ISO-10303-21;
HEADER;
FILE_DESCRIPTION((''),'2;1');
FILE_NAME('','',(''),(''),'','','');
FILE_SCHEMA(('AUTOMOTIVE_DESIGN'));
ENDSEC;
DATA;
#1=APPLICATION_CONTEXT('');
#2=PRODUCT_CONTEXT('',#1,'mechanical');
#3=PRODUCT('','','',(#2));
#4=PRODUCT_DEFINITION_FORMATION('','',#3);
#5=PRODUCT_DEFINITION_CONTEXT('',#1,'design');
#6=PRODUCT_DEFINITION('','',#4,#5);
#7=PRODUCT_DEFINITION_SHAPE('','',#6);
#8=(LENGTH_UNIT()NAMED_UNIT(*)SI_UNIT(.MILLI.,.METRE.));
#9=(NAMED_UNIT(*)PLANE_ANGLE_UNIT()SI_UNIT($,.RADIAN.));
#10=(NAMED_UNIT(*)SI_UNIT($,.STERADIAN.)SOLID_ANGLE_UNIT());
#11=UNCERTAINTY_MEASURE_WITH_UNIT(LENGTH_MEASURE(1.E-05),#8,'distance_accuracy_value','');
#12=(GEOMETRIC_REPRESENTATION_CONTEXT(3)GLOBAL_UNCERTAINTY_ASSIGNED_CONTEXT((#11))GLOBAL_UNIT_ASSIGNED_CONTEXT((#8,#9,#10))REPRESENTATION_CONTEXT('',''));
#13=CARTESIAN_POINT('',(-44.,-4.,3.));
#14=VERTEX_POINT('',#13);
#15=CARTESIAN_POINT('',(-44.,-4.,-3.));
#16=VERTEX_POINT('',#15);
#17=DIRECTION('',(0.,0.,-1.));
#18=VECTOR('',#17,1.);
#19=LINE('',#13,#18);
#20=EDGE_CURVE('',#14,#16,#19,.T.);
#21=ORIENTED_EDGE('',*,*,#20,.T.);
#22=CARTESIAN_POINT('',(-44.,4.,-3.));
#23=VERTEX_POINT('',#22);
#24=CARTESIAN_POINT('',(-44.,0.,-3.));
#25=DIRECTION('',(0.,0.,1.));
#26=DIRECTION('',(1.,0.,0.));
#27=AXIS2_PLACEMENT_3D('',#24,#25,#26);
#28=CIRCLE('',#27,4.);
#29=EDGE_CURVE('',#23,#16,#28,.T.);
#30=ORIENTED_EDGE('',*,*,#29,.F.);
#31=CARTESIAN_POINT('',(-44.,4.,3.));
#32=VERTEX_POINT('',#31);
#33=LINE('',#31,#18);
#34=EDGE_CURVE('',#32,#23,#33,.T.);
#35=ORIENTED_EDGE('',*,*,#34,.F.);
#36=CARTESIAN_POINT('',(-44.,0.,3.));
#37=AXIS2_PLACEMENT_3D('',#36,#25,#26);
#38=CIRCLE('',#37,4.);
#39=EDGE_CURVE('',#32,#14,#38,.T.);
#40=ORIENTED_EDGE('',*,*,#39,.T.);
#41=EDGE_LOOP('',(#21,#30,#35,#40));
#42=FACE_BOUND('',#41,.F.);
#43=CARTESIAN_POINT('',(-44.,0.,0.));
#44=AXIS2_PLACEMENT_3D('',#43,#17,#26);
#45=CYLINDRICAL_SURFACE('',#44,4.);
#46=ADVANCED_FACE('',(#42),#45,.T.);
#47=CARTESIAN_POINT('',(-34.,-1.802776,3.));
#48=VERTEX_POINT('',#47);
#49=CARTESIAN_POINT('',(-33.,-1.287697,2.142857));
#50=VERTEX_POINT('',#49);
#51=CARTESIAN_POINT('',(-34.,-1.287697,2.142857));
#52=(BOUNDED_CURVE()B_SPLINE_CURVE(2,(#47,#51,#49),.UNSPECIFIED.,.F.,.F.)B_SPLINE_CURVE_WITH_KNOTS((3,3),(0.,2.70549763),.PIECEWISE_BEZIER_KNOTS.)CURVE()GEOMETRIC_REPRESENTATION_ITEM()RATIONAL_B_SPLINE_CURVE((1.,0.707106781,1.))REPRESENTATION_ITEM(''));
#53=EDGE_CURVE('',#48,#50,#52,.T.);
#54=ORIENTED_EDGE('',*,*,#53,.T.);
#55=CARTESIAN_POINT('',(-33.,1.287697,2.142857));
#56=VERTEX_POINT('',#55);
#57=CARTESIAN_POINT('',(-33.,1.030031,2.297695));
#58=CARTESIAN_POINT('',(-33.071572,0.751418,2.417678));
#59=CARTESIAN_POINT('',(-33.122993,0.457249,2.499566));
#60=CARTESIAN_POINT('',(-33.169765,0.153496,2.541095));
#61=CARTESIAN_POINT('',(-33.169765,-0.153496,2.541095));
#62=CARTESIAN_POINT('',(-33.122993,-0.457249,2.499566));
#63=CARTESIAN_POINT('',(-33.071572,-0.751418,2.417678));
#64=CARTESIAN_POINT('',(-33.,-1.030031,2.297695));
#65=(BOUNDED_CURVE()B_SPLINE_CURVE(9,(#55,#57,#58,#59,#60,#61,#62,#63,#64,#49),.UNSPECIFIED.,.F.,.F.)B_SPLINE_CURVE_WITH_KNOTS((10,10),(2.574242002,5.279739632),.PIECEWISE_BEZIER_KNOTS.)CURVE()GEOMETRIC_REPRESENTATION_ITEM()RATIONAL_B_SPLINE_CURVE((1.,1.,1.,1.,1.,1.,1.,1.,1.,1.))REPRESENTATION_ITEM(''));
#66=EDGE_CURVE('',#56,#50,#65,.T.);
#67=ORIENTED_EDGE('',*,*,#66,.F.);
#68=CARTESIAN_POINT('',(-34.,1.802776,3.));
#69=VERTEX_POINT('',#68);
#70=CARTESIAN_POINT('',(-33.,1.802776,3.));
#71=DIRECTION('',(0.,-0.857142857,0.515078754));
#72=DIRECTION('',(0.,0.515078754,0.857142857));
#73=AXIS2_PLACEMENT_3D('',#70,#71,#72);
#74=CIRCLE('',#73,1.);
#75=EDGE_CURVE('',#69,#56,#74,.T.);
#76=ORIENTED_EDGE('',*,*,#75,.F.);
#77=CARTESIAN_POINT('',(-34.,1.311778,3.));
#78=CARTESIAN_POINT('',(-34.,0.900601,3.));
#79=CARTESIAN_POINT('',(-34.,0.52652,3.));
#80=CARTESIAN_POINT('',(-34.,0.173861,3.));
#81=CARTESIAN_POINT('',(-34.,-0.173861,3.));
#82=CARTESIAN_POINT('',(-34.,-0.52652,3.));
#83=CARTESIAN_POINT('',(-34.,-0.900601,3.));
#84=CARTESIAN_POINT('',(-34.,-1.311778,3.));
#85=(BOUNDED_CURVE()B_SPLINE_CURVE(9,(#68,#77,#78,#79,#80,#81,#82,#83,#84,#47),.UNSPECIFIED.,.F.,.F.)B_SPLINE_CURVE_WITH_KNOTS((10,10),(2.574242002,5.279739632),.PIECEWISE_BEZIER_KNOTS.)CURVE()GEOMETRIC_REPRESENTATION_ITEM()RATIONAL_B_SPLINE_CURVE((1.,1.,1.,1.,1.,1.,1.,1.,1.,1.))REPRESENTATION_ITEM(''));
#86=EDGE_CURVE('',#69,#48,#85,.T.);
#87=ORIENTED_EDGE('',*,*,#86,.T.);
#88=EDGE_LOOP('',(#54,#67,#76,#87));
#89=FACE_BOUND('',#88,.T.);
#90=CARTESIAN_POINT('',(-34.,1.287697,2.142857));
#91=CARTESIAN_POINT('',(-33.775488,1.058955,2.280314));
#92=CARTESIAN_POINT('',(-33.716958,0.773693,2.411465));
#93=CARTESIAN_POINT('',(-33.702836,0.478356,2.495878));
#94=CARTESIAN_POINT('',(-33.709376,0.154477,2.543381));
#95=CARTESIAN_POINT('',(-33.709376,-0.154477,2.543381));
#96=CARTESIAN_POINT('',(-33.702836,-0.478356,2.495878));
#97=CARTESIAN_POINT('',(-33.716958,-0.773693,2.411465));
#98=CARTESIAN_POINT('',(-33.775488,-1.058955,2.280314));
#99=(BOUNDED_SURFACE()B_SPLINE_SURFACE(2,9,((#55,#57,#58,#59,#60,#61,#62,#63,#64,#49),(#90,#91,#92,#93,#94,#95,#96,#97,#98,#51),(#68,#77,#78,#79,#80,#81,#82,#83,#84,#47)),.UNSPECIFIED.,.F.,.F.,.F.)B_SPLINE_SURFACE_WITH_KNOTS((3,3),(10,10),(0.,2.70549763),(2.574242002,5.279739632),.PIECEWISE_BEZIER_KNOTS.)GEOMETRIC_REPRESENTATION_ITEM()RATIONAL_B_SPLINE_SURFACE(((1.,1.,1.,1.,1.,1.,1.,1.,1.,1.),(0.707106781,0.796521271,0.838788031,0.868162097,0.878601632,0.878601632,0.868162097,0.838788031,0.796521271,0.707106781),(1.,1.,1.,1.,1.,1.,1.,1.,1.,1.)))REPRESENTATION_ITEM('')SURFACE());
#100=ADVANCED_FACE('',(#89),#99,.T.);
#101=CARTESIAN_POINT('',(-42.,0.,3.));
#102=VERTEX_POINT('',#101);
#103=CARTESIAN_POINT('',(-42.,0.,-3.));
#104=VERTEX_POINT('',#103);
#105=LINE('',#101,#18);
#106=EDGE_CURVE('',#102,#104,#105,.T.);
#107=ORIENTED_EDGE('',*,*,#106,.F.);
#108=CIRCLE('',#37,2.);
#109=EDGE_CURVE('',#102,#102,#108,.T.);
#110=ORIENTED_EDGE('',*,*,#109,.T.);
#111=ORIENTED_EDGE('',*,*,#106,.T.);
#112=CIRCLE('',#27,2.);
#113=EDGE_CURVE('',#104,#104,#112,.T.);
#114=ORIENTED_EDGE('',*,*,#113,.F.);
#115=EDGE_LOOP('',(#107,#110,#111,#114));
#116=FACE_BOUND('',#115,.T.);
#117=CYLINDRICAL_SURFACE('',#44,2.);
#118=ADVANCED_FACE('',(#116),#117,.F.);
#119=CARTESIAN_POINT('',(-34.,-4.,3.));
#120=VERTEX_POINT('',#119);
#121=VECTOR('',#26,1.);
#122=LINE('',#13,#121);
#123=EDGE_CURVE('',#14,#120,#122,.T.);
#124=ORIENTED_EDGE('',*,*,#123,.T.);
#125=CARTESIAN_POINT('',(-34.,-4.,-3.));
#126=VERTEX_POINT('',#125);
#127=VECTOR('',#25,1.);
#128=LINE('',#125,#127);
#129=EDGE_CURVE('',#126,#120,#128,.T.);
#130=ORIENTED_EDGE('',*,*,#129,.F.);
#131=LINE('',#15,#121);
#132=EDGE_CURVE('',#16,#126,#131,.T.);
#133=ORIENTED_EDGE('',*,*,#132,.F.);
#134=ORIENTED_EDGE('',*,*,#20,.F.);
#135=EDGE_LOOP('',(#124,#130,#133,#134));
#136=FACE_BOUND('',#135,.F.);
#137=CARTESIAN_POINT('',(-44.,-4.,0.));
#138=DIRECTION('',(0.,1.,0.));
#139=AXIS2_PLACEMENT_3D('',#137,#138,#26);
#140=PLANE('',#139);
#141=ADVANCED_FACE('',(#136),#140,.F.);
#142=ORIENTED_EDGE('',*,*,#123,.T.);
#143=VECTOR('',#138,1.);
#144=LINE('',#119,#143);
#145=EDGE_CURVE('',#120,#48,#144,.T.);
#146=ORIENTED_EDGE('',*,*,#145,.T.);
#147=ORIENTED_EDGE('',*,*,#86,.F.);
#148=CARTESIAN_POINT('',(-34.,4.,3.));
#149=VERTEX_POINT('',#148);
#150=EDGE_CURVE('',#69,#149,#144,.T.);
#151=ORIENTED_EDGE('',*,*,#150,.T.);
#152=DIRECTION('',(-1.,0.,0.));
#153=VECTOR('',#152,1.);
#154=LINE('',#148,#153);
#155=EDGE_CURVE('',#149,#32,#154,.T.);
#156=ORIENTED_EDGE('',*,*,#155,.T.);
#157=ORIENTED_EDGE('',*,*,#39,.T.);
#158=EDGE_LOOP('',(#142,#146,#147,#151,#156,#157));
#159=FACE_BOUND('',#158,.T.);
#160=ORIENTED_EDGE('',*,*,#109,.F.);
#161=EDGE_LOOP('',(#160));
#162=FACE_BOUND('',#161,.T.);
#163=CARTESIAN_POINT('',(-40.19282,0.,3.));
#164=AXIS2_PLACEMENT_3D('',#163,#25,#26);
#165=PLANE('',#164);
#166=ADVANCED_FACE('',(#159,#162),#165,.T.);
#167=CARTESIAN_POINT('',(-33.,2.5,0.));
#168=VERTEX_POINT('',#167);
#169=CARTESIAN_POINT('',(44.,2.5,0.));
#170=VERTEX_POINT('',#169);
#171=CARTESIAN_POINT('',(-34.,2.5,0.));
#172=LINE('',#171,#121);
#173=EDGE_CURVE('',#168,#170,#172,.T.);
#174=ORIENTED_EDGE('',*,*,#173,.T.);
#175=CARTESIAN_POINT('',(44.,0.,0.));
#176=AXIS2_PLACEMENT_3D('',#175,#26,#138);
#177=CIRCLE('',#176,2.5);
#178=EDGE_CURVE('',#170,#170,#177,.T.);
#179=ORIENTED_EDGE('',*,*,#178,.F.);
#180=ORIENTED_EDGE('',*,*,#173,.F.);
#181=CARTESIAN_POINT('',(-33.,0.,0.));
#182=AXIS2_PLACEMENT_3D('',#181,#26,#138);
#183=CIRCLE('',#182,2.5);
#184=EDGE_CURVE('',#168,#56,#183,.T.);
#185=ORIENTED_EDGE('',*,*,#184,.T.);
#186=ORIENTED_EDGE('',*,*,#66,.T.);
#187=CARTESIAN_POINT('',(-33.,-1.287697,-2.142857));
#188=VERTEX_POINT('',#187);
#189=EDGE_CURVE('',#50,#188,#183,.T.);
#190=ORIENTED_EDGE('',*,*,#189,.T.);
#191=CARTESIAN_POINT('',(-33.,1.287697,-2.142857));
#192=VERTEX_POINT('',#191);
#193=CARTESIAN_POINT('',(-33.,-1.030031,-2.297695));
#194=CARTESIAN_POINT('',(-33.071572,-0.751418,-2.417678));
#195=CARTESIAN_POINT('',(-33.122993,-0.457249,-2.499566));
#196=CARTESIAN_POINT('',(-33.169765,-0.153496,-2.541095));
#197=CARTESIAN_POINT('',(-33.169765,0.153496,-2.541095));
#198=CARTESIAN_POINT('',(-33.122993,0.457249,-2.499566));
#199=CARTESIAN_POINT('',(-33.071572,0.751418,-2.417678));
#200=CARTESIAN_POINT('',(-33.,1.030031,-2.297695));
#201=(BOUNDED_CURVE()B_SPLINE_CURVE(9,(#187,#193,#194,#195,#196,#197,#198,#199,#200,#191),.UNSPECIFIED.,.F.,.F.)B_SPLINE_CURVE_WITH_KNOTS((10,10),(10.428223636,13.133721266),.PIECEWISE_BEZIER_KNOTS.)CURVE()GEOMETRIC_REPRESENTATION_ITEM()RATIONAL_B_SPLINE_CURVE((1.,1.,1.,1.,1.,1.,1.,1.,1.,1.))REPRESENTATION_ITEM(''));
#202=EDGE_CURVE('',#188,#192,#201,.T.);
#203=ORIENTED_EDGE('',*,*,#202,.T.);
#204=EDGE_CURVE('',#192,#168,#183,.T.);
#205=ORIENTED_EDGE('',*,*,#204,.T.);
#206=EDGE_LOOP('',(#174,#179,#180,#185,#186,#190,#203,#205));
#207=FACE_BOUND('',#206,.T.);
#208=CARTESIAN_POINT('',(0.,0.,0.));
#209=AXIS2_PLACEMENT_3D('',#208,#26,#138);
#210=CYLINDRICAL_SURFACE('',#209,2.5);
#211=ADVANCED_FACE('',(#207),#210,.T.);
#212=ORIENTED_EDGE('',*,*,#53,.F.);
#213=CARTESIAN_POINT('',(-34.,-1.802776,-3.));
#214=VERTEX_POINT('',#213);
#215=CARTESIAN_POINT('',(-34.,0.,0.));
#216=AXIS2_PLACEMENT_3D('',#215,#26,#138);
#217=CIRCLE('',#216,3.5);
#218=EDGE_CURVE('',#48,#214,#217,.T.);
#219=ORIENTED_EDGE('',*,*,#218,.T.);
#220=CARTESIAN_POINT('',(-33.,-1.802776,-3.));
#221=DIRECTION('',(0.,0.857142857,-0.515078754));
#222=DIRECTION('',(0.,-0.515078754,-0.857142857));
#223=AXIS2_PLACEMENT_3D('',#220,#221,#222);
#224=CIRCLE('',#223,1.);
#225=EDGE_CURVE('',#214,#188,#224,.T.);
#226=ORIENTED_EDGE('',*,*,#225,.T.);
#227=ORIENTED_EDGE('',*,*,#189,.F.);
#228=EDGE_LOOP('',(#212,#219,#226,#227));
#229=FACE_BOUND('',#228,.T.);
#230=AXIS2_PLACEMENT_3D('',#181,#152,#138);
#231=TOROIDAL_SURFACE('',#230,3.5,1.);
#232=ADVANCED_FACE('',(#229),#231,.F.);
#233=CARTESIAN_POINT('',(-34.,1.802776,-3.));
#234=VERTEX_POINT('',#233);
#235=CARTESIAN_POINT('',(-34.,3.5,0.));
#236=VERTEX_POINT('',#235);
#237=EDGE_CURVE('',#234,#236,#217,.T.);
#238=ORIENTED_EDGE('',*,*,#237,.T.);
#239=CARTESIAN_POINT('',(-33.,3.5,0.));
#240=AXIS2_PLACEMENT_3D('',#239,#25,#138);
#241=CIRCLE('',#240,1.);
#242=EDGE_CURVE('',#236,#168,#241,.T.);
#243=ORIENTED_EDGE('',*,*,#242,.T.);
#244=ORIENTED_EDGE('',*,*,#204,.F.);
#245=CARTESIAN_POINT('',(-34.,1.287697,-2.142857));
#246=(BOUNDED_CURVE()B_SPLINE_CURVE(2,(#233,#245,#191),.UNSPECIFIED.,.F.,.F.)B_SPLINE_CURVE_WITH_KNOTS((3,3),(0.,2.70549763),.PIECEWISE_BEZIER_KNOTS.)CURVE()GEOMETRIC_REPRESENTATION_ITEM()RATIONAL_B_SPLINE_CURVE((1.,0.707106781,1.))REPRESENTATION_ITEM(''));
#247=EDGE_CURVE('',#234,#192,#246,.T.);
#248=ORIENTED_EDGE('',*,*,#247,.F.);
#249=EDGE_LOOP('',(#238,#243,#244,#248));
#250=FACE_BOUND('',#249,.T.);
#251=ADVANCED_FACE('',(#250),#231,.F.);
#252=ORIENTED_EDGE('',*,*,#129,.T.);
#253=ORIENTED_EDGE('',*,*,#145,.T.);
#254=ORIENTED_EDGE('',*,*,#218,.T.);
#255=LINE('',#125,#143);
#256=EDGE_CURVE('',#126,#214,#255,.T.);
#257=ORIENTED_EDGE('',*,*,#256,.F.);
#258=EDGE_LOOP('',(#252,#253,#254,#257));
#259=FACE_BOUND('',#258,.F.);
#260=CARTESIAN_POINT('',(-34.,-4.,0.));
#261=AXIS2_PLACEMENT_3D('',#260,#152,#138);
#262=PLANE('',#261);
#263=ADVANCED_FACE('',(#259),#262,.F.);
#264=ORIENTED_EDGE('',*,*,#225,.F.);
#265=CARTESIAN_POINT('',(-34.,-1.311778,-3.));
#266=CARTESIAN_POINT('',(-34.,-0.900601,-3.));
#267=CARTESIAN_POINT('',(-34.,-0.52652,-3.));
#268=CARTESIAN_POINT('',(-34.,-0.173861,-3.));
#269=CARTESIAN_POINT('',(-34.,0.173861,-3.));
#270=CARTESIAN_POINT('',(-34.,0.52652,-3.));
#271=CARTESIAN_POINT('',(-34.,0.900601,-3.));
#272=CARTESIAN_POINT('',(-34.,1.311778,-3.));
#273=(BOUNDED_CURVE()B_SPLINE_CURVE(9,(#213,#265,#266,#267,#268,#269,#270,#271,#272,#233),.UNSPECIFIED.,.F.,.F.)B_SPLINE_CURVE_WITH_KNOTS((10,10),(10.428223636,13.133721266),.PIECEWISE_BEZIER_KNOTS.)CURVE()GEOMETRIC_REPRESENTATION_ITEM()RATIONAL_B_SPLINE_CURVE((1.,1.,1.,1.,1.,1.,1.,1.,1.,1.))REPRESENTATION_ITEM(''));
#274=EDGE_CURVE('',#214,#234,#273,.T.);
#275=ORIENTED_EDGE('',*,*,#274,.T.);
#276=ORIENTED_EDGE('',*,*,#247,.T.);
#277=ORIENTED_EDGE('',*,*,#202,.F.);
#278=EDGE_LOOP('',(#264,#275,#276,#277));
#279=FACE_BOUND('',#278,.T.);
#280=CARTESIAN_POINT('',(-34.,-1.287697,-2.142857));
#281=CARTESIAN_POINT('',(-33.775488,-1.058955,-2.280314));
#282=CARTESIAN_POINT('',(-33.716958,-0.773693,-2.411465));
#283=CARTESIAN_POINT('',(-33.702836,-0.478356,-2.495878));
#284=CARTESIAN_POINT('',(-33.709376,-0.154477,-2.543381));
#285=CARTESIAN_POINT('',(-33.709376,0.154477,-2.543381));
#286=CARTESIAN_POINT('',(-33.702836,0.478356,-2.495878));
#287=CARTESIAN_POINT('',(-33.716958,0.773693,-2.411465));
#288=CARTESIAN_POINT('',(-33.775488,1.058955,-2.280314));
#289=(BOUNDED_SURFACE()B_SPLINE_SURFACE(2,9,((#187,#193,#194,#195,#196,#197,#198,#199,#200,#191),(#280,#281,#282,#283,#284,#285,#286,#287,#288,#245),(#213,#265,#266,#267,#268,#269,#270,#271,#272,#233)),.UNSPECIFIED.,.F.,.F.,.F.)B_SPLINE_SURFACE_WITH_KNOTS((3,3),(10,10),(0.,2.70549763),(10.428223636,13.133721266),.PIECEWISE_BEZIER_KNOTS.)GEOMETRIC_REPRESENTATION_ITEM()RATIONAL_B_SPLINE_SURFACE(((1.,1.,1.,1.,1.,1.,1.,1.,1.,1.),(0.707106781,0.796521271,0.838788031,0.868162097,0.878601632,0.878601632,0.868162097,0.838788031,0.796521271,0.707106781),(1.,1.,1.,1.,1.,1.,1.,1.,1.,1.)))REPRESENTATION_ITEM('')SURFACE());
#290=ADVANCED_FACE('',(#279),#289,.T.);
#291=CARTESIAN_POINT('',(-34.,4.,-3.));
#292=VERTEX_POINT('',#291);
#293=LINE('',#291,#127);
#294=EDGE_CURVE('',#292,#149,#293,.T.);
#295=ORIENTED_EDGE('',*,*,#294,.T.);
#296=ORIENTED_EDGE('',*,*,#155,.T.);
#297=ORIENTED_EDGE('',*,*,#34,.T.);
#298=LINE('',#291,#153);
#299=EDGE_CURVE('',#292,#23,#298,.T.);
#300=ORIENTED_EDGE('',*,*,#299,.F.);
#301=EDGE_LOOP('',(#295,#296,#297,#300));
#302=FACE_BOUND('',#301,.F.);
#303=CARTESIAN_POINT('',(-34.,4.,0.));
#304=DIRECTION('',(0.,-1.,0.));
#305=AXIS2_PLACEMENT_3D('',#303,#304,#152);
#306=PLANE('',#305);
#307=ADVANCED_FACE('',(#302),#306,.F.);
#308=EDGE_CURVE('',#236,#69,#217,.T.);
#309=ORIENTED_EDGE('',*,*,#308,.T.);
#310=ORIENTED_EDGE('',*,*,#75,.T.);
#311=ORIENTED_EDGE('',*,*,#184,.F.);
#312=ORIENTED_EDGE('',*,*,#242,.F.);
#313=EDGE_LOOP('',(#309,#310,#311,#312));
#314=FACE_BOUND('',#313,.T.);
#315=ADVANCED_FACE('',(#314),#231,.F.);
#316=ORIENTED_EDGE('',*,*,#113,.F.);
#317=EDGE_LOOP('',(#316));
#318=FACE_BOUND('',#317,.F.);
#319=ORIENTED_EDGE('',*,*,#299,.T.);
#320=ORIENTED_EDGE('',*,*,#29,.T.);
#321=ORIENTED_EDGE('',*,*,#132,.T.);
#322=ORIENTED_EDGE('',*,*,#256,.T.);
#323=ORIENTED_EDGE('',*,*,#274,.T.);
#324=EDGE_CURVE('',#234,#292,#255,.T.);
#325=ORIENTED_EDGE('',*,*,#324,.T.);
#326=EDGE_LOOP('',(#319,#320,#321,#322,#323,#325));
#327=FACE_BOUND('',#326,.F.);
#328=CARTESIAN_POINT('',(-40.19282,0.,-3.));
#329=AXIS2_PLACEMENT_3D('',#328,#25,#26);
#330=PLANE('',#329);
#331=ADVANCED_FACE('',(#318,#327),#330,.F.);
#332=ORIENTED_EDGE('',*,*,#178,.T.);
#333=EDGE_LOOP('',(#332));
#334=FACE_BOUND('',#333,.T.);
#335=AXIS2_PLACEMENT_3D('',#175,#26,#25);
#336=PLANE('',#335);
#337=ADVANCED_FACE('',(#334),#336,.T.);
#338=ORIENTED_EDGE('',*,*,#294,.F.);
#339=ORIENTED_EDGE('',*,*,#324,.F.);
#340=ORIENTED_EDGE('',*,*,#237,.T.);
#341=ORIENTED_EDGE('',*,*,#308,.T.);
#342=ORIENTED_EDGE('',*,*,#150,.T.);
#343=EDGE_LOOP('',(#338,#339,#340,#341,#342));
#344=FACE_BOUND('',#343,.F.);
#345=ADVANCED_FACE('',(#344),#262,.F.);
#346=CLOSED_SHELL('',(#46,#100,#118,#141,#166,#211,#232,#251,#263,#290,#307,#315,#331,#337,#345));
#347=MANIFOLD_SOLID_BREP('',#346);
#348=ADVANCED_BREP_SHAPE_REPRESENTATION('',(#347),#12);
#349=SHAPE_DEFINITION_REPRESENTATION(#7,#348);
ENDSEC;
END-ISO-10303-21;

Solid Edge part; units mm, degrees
sketch "Sketch1" plane through (0, 0, 0) normal (1, 0, 0) x (0, 1, 0)
  circle A0 centre (0, 0) radius 2.5
extrude "Protrusion1" add sketch "Sketch1" along normal blind 44
sketch "Sketch2" plane through (0, 0, 0) normal (1, 0, 0) x (0, 1, 0)
  circle A0 centre (0, 0) radius 2.5
extrude "ExtrudedProtrusion_2" add sketch "Sketch2" against normal blind 34
sketch "Sketch3" plane through (0, 0, 0) normal (0, 0, 1) x (1, 0, 0)
  line L0 (-44, -4) -> (-34, -4)
  line L1 (-34, -4) -> (-34, 4)
  line L2 (-34, 4) -> (-44, 4)
  arc A0 (-44, 4) -> (-44, -4) centre (-44, 0) ccw
  circle A1 centre (-44, 0) radius 2
extrude "ExtrudedProtrusion_3" add sketch "Sketch3" along normal mid plane 6
fillet "Round_1" radius 1 1 edges at (-34, -2.5, 0)
cosmetic_thread "Thread_1" size "M5" thread depth 14
